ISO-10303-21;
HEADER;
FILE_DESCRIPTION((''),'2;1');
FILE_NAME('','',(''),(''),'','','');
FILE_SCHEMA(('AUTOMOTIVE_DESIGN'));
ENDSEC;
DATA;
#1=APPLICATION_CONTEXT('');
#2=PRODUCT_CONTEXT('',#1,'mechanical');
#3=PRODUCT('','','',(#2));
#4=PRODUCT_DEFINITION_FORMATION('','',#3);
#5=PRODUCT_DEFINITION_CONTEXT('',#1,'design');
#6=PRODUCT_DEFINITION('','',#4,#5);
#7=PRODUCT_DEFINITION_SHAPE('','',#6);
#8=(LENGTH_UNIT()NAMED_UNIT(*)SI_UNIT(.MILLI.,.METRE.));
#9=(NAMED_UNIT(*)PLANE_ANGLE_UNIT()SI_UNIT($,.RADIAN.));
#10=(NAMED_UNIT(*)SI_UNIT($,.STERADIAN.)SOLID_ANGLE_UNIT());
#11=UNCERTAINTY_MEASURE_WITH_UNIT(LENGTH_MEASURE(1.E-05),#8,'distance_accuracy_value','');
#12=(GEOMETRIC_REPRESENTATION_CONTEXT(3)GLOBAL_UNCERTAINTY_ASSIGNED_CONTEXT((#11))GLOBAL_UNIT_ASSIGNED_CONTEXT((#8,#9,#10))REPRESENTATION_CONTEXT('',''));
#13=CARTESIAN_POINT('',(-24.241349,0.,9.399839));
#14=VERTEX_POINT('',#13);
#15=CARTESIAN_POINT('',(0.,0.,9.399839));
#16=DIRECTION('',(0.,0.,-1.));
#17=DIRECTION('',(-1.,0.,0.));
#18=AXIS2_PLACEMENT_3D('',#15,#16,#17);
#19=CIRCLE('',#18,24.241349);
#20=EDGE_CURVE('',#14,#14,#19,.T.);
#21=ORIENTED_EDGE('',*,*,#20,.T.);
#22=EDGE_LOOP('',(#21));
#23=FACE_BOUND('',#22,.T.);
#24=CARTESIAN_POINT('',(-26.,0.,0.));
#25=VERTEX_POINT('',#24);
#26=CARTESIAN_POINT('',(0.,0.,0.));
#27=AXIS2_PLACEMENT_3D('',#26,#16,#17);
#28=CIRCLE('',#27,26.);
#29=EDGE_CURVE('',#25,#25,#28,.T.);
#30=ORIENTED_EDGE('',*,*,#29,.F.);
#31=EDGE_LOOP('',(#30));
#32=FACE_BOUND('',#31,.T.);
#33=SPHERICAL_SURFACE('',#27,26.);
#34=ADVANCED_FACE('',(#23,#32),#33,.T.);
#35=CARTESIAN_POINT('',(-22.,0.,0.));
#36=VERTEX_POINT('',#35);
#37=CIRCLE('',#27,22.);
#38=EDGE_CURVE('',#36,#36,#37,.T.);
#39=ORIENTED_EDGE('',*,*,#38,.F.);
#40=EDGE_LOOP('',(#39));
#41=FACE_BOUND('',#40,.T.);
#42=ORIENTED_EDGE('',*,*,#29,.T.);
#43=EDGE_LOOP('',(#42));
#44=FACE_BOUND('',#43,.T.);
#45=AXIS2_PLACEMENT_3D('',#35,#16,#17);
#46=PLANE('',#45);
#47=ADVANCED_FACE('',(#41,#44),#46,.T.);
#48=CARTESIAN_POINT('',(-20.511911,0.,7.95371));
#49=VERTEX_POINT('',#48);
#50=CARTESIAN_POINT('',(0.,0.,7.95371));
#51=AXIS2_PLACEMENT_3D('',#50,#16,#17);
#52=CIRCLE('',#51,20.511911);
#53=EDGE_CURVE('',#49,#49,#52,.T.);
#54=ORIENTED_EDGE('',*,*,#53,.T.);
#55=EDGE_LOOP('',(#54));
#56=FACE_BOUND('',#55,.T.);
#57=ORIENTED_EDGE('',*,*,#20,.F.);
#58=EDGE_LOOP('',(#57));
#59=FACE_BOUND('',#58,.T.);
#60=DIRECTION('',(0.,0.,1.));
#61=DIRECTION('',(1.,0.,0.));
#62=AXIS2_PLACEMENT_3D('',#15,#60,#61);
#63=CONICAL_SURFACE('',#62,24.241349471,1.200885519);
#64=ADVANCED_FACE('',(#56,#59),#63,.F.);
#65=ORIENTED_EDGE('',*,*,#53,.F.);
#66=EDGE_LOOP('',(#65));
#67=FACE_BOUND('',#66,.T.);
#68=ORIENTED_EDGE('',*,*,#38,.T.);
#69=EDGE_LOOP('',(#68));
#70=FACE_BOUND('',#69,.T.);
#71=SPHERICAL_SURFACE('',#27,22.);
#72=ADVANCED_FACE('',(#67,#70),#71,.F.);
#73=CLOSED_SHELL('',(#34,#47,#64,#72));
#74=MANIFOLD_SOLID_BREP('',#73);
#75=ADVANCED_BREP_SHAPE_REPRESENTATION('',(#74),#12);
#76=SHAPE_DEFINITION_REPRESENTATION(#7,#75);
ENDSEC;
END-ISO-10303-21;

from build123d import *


with BuildPart() as part:
    # Sketch6 → Revolve3 (revolve)
    with BuildSketch(Plane(origin=(0, 0, 0), x_dir=(1, 0, 0), z_dir=(0, 1, 0))):
        with BuildLine():
            Line((-22, 0), (-26, 0))
            ThreePointArc((-26, 0), (-25.556555776, -4.781470158), (-24.241349471, -9.399839137))
            Line((-24.241349471, -9.399839137), (-20.511911091, -7.953710039))
            ThreePointArc((-20.511911091, -7.953710039), (-21.624777964, -4.045859364), (-22, 0))
        make_face()
    revolve(axis=Axis((0, 0, 0), (0, 0, 1)))


solid = part.part
